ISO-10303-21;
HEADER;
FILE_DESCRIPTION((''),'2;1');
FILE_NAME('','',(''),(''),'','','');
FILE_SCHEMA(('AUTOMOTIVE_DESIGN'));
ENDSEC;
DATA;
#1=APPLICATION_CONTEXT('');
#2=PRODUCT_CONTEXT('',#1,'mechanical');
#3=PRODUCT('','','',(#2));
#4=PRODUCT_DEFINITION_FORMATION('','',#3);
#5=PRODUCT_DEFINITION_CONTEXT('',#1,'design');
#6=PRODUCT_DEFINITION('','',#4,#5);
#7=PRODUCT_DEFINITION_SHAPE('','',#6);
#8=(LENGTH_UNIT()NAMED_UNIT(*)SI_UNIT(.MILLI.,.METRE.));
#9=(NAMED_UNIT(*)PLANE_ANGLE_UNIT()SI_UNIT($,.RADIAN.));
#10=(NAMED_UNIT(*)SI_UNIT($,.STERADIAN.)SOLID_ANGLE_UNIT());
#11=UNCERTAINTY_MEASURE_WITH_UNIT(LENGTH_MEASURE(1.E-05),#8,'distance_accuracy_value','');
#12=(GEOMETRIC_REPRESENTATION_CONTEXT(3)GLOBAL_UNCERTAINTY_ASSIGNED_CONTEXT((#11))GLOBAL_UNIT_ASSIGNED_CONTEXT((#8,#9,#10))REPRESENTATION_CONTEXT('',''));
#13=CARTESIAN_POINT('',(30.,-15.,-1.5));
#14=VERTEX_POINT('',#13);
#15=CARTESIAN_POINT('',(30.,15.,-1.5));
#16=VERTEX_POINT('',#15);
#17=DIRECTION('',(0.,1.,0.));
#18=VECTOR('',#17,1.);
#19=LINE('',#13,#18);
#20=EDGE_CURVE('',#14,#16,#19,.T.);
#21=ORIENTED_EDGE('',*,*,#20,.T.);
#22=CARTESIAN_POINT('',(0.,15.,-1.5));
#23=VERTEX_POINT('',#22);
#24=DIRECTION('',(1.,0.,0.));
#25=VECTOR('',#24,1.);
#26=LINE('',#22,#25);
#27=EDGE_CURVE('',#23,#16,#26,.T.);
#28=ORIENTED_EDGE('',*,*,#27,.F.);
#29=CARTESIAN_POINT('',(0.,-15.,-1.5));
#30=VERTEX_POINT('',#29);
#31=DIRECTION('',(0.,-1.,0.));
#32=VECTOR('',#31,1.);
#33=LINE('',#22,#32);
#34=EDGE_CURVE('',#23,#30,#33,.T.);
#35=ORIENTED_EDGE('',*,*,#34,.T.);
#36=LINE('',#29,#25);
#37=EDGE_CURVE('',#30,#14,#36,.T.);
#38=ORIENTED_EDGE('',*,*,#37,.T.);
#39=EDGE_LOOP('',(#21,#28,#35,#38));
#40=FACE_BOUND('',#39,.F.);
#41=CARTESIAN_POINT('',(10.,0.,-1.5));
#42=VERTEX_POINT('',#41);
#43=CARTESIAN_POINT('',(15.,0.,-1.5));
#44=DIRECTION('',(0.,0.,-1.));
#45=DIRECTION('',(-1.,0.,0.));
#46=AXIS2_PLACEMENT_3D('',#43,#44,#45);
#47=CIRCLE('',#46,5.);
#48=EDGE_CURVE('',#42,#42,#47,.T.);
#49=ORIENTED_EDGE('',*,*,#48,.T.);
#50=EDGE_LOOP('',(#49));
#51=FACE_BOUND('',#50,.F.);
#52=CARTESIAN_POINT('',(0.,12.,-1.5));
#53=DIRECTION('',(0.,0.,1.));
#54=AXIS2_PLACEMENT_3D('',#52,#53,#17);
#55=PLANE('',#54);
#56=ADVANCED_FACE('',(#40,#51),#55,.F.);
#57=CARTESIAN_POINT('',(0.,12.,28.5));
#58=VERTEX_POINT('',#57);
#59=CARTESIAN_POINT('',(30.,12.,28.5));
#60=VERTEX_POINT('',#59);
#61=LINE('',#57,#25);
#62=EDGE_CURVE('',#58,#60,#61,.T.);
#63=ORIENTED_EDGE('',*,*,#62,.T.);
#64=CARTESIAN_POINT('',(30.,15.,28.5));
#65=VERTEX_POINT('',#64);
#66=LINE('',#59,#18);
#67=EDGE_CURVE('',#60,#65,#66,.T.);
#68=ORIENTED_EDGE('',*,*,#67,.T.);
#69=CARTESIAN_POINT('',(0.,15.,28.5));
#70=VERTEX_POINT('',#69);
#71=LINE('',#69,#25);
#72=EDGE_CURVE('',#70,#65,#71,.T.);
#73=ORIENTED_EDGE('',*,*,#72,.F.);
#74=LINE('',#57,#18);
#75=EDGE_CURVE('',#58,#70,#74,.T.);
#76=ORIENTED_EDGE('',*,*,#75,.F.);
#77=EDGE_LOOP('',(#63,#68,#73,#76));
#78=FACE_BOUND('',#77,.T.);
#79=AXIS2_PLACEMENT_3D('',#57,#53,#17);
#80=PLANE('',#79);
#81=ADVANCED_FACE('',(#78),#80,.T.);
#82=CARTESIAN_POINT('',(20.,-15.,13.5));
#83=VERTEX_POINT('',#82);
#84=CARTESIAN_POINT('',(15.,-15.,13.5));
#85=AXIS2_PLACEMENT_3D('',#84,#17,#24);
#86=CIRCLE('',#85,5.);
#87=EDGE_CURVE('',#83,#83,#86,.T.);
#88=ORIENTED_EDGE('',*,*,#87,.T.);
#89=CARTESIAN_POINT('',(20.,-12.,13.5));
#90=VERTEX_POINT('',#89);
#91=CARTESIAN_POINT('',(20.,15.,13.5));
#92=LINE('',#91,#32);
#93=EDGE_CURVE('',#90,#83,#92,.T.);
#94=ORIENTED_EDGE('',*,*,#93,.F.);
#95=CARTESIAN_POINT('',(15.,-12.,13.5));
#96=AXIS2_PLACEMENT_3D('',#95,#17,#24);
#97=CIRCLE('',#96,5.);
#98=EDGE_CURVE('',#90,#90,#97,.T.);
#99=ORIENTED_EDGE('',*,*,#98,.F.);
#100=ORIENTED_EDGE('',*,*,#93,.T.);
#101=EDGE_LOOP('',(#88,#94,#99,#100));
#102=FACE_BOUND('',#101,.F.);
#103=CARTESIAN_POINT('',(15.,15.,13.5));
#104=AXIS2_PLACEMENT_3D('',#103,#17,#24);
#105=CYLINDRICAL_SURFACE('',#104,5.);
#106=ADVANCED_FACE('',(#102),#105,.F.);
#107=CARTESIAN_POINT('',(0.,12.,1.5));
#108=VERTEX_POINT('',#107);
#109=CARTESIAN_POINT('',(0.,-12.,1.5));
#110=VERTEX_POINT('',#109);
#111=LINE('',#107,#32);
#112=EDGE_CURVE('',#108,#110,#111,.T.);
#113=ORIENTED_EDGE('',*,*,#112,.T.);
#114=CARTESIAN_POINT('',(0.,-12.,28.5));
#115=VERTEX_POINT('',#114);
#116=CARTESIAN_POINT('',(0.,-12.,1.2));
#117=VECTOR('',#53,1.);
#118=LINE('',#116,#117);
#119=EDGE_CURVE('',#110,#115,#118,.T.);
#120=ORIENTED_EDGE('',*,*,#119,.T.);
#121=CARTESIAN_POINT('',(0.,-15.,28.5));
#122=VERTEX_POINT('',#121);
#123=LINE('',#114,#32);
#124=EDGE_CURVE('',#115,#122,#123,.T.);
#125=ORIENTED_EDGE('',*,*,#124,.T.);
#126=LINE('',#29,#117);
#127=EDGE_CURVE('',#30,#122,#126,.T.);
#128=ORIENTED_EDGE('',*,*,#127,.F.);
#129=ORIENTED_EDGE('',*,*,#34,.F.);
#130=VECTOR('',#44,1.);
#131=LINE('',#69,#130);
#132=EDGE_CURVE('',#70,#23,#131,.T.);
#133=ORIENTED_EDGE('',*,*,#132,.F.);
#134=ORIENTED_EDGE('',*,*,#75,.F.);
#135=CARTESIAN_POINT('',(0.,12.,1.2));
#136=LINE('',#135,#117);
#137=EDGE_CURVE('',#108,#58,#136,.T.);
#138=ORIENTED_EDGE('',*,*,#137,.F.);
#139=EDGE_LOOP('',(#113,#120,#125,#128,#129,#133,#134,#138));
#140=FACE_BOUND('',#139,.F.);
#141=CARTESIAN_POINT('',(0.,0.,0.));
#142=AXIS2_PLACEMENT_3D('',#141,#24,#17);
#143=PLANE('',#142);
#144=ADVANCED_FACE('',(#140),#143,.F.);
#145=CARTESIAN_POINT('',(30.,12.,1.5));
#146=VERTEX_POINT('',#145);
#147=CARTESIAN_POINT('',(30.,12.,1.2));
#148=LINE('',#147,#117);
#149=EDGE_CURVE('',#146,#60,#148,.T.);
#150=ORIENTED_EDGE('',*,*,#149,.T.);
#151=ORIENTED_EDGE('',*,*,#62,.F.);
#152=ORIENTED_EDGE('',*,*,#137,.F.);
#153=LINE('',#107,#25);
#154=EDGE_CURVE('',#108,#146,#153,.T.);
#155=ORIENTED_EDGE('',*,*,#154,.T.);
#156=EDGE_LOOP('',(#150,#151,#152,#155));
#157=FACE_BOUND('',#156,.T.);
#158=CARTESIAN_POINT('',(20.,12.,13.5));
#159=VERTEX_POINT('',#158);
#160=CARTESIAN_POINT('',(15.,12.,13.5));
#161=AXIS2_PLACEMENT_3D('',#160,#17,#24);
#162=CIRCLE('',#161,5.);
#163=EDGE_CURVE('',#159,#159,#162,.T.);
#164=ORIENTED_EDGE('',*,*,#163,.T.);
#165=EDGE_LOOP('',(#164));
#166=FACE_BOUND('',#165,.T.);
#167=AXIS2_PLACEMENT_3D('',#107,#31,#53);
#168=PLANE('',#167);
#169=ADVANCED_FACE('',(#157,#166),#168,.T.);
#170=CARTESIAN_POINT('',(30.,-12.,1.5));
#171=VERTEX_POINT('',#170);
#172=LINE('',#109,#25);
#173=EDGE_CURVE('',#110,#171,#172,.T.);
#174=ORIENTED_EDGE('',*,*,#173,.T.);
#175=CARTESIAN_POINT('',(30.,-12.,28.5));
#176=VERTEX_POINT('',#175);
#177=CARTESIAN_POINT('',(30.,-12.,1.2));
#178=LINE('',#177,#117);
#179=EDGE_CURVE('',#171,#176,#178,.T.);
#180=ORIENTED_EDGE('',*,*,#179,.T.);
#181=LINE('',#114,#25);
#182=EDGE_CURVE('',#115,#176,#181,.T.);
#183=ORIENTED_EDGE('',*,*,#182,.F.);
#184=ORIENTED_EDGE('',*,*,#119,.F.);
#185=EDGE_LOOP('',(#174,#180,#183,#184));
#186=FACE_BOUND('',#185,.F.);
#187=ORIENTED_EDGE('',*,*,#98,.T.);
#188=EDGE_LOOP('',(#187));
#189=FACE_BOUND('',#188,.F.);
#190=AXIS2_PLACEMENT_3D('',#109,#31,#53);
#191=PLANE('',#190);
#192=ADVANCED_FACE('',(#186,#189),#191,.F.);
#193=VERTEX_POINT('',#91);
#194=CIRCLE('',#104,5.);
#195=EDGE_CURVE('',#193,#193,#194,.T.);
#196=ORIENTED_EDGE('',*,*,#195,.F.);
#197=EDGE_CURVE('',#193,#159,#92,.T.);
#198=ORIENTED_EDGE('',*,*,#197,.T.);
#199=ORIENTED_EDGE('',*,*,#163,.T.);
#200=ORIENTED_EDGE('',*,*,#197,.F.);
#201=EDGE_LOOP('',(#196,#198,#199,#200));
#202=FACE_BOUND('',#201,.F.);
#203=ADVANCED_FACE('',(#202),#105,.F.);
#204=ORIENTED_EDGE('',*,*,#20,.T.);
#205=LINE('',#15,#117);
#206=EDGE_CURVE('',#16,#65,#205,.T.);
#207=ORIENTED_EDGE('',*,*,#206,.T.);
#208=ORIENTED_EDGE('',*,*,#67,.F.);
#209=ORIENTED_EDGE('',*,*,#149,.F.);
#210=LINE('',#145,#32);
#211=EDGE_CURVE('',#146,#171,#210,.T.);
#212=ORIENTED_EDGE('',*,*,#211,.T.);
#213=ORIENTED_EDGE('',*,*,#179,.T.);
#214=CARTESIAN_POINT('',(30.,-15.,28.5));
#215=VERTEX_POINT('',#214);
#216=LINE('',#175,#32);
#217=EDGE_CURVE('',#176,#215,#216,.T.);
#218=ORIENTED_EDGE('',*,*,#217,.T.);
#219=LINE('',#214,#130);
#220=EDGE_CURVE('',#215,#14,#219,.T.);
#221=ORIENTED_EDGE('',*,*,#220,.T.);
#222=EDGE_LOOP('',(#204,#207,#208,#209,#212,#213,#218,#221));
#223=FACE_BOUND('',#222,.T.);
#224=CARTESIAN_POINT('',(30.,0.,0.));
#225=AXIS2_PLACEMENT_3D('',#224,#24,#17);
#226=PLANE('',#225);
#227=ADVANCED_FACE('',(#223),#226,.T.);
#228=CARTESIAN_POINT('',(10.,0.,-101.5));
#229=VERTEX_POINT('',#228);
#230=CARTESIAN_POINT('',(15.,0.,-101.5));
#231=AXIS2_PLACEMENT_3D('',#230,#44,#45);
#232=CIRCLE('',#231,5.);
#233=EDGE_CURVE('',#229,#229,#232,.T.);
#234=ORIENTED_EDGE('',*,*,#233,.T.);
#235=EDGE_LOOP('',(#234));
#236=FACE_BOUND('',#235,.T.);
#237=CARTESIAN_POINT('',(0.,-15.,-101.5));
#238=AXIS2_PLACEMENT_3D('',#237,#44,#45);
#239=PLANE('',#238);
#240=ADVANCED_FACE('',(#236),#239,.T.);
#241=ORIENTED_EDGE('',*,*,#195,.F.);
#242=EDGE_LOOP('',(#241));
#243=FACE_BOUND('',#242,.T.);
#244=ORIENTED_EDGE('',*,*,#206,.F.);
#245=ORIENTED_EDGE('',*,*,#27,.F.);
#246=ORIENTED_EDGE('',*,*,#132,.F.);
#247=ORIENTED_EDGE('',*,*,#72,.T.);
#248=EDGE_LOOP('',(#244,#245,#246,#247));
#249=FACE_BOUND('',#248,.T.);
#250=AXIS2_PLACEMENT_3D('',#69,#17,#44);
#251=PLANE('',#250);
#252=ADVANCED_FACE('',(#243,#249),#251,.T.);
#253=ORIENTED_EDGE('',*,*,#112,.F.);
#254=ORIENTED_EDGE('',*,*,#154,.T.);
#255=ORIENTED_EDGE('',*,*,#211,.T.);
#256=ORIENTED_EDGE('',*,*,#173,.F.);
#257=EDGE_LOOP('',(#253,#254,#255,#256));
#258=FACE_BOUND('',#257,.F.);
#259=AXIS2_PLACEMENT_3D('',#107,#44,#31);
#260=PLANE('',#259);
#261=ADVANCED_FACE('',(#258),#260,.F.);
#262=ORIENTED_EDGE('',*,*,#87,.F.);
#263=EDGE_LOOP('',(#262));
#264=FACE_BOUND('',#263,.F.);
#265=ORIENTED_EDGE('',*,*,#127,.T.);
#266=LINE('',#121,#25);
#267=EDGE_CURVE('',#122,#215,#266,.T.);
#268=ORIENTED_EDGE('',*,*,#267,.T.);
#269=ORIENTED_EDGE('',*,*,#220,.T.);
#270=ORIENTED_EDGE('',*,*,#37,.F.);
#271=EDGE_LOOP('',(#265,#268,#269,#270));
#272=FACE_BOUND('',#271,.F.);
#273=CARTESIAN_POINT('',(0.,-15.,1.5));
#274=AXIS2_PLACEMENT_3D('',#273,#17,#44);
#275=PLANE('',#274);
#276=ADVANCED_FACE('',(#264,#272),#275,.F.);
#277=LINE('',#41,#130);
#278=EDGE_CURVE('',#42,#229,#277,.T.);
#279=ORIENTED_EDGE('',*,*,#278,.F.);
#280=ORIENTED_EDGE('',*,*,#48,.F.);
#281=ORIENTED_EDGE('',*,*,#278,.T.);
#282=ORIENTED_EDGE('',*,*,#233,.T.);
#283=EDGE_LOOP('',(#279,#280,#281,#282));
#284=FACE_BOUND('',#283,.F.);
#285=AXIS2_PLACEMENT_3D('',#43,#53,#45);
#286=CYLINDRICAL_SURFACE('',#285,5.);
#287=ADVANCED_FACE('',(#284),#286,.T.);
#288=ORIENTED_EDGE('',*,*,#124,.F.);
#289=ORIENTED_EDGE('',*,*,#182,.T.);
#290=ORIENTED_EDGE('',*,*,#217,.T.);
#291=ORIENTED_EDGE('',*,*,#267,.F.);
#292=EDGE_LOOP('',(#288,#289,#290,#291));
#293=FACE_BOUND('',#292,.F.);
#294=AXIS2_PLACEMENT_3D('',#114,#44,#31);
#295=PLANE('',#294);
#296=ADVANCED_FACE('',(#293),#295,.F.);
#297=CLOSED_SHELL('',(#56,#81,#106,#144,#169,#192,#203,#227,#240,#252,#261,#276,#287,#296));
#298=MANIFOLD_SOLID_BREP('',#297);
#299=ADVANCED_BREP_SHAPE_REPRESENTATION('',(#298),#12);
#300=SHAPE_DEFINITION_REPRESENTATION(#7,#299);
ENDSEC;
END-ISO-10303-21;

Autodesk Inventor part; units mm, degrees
ref_plane "YZ Plane" through (0, 0, 0) normal (1, 0, 0) x (0, 1, 0)
ref_plane "XZ Plane" through (0, 0, 0) normal (0, 1, 0) x (-1, 0, 0)
ref_plane "XY Plane" through (0, 0, 0) normal (0, 0, 1) x (1, 0, 0)
sketch "Sketch1" plane through (0, 0, 0) normal (1, 0, 0) x (0, 1, 0)
  line L0 (12, 1.5) -> (-12, 1.5)
  line L1 (-15, 1.5) -> (-15, -1.5)
  line L2 (-15, -1.5) -> (15, -1.5)
  line L3 (15, -1.5) -> (15, 1.5)
  line L4 (15, 1.5) -> (-15, -1.5) construction
  line L5 (-15, 1.5) -> (15, -1.5) construction
  line L6 (15, -1.5) -> (12, -1.5)
  line L7 (12, 28.5) -> (15, 28.5)
  line L8 (15, 28.5) -> (15, -1.5)
  line L9 (-15, -1.5) -> (-12, -1.5)
  line L10 (-12, 28.5) -> (-15, 28.5)
  line L11 (-15, 28.5) -> (-15, -1.5)
  line L12 (12, -1.5) -> (12, -1.2)
  line L13 (12, 1.2) -> (12, 28.5)
  line L14 (-12, -1.5) -> (-12, -1.2)
  line L15 (-12, 1.2) -> (-12, 28.5)
  point P0 (0, 0)
  dimension "d0" = 30
  dimension "d1" = 3
  dimension "d2" = 3
  dimension "d3" = 30
  dimension "d4" = 3
  dimension "d5" = 30
extrude "Extrusion1" add sketch "Sketch1" along normal blind 30
sketch "Sketch2" plane through (0, 15, 28.5) normal (0, 1, 0) x (1, 0, 0)
  line L0 (0, 30) -> (30, 30) construction
  line L1 (0, 0) -> (30, 30) construction
  circle A0 centre (15, 15) radius 5
  point P0 (0, 28.5)
  dimension "d8" = 10
extrude "Extrusion2" cut sketch "Sketch2" against normal blind 30
sketch "Sketch3" plane through (0, -15, -1.5) normal (0, 0, -1) x (-1, 0, 0)
  line L0 (0, 0) -> (-30, 0) construction
  line L1 (0, 30) -> (-30, 30) construction
  line L2 (-30, 0) -> (0, 30) construction
  circle A0 centre (-15, 15) radius 5
  point P0 (0, 15)
  dimension "d11" = 10
extrude "Extrusion3" add sketch "Sketch3" along normal blind 100
properties part number "Tensioner"
